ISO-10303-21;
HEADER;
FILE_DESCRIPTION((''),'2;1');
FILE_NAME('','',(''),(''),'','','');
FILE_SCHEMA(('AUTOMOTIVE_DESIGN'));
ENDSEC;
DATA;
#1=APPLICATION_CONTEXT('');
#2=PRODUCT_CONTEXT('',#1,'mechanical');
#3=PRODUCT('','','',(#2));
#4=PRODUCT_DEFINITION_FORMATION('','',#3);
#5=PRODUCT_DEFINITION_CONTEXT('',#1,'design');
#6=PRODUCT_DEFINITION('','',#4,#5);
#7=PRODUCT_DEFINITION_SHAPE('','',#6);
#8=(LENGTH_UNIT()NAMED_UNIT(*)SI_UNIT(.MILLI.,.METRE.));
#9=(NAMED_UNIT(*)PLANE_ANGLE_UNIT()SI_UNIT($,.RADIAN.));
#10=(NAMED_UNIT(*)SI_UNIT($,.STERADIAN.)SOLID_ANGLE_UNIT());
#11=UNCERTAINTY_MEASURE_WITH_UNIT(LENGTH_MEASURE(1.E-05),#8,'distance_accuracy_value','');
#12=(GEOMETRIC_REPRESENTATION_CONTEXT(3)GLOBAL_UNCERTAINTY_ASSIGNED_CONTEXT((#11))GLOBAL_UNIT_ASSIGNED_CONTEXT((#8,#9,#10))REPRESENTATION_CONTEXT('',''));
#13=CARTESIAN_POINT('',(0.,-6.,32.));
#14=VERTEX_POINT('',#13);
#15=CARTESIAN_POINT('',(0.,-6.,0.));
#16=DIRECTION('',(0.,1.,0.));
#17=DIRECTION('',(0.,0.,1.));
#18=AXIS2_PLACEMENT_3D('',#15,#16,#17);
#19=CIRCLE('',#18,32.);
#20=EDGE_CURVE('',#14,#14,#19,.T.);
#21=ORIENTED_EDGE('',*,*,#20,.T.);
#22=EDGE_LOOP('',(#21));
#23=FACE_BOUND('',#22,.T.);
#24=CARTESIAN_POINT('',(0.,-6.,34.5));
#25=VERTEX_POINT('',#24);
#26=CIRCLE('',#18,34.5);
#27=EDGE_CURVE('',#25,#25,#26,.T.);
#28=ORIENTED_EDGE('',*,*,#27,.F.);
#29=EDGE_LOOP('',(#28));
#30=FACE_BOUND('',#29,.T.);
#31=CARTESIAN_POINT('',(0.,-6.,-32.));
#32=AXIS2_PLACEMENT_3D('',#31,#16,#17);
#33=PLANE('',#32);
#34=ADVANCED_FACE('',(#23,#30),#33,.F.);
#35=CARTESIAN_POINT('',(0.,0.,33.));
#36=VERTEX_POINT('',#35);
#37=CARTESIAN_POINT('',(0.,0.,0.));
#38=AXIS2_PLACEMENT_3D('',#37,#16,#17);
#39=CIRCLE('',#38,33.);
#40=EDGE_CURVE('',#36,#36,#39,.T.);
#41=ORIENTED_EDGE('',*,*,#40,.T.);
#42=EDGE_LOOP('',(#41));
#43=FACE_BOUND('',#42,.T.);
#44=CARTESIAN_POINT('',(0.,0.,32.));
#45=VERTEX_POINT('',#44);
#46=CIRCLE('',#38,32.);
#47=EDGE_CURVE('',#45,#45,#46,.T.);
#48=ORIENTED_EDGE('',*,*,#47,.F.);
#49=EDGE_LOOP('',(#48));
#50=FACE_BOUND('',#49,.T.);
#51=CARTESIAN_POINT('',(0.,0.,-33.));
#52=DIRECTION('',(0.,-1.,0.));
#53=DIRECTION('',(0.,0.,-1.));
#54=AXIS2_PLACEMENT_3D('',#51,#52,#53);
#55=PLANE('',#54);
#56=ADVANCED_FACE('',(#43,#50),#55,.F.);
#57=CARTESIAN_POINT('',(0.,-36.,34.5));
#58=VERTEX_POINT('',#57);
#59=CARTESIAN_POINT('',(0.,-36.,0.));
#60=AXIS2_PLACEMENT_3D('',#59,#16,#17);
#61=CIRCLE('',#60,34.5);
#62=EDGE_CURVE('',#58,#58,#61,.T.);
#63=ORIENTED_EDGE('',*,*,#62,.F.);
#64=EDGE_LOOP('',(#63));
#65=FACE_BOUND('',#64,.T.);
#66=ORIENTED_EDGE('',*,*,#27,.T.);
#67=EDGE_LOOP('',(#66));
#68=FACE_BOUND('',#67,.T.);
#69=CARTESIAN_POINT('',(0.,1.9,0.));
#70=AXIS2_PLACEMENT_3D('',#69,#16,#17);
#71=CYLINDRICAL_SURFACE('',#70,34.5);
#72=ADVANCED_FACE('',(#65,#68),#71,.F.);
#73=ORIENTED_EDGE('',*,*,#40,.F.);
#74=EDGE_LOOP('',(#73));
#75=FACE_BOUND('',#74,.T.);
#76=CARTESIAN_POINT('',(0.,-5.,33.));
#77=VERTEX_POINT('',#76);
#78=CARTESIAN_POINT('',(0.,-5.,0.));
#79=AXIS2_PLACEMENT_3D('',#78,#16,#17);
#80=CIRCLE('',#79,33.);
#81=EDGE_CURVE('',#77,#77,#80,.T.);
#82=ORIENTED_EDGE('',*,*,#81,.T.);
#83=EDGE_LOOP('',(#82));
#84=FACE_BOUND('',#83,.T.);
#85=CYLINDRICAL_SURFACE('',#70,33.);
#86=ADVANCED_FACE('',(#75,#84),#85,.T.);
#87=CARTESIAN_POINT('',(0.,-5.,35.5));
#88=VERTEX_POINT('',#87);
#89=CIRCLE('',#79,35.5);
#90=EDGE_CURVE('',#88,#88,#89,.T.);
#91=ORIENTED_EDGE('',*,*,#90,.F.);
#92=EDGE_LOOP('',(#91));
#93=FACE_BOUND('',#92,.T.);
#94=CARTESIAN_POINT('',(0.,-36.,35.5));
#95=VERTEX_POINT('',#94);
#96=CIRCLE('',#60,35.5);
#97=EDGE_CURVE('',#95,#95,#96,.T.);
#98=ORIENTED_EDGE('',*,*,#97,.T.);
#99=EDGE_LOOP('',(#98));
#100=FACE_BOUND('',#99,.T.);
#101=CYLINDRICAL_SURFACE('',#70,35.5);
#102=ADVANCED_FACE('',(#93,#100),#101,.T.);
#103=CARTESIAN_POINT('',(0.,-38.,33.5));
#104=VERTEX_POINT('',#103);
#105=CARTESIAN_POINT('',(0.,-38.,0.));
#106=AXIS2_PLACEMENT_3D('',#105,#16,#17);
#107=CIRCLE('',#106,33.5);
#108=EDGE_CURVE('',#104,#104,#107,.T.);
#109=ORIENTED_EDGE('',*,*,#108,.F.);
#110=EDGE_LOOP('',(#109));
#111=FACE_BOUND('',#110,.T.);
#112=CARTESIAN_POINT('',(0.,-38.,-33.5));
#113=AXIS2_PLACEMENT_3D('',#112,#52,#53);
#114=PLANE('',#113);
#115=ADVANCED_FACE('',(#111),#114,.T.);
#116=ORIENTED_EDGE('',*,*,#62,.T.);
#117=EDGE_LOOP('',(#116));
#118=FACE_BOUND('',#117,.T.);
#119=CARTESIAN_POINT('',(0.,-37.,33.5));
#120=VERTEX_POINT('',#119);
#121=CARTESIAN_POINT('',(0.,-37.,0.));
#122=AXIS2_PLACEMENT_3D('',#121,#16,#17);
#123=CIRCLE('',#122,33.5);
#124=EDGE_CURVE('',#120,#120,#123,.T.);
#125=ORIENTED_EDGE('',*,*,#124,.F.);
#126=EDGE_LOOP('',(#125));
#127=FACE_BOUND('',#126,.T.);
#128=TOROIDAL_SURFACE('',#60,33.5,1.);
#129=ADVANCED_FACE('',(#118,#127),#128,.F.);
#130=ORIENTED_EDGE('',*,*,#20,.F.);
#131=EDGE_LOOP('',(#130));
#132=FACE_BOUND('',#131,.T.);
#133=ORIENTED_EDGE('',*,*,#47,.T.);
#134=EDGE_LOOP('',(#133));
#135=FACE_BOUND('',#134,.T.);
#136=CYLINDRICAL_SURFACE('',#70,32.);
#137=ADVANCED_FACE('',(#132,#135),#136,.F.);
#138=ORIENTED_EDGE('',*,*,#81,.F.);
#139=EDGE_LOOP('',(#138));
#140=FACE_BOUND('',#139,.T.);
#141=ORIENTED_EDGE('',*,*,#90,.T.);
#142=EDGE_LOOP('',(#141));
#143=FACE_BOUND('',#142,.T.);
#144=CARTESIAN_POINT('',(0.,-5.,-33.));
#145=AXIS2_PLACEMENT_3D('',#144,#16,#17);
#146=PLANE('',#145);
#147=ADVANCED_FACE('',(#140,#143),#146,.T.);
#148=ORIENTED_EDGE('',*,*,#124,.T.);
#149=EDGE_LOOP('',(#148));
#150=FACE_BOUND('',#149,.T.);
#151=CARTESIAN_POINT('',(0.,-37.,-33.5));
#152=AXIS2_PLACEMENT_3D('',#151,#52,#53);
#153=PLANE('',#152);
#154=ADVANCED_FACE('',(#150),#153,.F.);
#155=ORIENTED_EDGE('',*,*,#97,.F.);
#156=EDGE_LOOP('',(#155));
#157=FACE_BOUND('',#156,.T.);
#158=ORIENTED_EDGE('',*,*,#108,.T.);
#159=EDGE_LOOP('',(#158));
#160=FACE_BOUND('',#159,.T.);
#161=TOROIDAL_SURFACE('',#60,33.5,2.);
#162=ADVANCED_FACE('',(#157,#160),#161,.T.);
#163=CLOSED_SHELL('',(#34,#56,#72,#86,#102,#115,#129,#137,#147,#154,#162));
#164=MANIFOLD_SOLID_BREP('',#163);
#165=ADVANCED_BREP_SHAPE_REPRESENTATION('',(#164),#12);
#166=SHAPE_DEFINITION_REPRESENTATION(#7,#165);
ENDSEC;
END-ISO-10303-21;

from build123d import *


with BuildPart() as part:
    # 草图1 → 旋转1 (revolve)
    with BuildSketch(Plane(origin=(0, 0, 0), x_dir=(0, 0, -1), z_dir=(1, 0, 0)), mode=Mode.PRIVATE) as revolve_1_sk:
        with BuildLine():
            Line((33, 0), (33, -5))
            Line((33, -5), (35.5, -5))
            Line((35.5, -5), (35.5, -36))
            ThreePointArc((35.5, -36), (34.914213562, -37.414213562), (33.5, -38))
            Line((33.5, -38), (0, -38))
            Line((0, -38), (0, -37))
            Line((0, -37), (33.5, -37))
            ThreePointArc((33.5, -37), (34.207106781, -36.707106781), (34.5, -36))
            Line((34.5, -36), (34.5, -6))
            Line((34.5, -6), (32, -6))
            Line((32, -6), (32, 0))
            Line((32, 0), (33, 0))
        make_face()
    revolve(revolve_1_sk.sketch.rotate(Axis((0, 1.9, 0), (0, -1, 0)), 180), axis=Axis((0, 1.9, 0), (0, -1, 0)))


solid = part.part
